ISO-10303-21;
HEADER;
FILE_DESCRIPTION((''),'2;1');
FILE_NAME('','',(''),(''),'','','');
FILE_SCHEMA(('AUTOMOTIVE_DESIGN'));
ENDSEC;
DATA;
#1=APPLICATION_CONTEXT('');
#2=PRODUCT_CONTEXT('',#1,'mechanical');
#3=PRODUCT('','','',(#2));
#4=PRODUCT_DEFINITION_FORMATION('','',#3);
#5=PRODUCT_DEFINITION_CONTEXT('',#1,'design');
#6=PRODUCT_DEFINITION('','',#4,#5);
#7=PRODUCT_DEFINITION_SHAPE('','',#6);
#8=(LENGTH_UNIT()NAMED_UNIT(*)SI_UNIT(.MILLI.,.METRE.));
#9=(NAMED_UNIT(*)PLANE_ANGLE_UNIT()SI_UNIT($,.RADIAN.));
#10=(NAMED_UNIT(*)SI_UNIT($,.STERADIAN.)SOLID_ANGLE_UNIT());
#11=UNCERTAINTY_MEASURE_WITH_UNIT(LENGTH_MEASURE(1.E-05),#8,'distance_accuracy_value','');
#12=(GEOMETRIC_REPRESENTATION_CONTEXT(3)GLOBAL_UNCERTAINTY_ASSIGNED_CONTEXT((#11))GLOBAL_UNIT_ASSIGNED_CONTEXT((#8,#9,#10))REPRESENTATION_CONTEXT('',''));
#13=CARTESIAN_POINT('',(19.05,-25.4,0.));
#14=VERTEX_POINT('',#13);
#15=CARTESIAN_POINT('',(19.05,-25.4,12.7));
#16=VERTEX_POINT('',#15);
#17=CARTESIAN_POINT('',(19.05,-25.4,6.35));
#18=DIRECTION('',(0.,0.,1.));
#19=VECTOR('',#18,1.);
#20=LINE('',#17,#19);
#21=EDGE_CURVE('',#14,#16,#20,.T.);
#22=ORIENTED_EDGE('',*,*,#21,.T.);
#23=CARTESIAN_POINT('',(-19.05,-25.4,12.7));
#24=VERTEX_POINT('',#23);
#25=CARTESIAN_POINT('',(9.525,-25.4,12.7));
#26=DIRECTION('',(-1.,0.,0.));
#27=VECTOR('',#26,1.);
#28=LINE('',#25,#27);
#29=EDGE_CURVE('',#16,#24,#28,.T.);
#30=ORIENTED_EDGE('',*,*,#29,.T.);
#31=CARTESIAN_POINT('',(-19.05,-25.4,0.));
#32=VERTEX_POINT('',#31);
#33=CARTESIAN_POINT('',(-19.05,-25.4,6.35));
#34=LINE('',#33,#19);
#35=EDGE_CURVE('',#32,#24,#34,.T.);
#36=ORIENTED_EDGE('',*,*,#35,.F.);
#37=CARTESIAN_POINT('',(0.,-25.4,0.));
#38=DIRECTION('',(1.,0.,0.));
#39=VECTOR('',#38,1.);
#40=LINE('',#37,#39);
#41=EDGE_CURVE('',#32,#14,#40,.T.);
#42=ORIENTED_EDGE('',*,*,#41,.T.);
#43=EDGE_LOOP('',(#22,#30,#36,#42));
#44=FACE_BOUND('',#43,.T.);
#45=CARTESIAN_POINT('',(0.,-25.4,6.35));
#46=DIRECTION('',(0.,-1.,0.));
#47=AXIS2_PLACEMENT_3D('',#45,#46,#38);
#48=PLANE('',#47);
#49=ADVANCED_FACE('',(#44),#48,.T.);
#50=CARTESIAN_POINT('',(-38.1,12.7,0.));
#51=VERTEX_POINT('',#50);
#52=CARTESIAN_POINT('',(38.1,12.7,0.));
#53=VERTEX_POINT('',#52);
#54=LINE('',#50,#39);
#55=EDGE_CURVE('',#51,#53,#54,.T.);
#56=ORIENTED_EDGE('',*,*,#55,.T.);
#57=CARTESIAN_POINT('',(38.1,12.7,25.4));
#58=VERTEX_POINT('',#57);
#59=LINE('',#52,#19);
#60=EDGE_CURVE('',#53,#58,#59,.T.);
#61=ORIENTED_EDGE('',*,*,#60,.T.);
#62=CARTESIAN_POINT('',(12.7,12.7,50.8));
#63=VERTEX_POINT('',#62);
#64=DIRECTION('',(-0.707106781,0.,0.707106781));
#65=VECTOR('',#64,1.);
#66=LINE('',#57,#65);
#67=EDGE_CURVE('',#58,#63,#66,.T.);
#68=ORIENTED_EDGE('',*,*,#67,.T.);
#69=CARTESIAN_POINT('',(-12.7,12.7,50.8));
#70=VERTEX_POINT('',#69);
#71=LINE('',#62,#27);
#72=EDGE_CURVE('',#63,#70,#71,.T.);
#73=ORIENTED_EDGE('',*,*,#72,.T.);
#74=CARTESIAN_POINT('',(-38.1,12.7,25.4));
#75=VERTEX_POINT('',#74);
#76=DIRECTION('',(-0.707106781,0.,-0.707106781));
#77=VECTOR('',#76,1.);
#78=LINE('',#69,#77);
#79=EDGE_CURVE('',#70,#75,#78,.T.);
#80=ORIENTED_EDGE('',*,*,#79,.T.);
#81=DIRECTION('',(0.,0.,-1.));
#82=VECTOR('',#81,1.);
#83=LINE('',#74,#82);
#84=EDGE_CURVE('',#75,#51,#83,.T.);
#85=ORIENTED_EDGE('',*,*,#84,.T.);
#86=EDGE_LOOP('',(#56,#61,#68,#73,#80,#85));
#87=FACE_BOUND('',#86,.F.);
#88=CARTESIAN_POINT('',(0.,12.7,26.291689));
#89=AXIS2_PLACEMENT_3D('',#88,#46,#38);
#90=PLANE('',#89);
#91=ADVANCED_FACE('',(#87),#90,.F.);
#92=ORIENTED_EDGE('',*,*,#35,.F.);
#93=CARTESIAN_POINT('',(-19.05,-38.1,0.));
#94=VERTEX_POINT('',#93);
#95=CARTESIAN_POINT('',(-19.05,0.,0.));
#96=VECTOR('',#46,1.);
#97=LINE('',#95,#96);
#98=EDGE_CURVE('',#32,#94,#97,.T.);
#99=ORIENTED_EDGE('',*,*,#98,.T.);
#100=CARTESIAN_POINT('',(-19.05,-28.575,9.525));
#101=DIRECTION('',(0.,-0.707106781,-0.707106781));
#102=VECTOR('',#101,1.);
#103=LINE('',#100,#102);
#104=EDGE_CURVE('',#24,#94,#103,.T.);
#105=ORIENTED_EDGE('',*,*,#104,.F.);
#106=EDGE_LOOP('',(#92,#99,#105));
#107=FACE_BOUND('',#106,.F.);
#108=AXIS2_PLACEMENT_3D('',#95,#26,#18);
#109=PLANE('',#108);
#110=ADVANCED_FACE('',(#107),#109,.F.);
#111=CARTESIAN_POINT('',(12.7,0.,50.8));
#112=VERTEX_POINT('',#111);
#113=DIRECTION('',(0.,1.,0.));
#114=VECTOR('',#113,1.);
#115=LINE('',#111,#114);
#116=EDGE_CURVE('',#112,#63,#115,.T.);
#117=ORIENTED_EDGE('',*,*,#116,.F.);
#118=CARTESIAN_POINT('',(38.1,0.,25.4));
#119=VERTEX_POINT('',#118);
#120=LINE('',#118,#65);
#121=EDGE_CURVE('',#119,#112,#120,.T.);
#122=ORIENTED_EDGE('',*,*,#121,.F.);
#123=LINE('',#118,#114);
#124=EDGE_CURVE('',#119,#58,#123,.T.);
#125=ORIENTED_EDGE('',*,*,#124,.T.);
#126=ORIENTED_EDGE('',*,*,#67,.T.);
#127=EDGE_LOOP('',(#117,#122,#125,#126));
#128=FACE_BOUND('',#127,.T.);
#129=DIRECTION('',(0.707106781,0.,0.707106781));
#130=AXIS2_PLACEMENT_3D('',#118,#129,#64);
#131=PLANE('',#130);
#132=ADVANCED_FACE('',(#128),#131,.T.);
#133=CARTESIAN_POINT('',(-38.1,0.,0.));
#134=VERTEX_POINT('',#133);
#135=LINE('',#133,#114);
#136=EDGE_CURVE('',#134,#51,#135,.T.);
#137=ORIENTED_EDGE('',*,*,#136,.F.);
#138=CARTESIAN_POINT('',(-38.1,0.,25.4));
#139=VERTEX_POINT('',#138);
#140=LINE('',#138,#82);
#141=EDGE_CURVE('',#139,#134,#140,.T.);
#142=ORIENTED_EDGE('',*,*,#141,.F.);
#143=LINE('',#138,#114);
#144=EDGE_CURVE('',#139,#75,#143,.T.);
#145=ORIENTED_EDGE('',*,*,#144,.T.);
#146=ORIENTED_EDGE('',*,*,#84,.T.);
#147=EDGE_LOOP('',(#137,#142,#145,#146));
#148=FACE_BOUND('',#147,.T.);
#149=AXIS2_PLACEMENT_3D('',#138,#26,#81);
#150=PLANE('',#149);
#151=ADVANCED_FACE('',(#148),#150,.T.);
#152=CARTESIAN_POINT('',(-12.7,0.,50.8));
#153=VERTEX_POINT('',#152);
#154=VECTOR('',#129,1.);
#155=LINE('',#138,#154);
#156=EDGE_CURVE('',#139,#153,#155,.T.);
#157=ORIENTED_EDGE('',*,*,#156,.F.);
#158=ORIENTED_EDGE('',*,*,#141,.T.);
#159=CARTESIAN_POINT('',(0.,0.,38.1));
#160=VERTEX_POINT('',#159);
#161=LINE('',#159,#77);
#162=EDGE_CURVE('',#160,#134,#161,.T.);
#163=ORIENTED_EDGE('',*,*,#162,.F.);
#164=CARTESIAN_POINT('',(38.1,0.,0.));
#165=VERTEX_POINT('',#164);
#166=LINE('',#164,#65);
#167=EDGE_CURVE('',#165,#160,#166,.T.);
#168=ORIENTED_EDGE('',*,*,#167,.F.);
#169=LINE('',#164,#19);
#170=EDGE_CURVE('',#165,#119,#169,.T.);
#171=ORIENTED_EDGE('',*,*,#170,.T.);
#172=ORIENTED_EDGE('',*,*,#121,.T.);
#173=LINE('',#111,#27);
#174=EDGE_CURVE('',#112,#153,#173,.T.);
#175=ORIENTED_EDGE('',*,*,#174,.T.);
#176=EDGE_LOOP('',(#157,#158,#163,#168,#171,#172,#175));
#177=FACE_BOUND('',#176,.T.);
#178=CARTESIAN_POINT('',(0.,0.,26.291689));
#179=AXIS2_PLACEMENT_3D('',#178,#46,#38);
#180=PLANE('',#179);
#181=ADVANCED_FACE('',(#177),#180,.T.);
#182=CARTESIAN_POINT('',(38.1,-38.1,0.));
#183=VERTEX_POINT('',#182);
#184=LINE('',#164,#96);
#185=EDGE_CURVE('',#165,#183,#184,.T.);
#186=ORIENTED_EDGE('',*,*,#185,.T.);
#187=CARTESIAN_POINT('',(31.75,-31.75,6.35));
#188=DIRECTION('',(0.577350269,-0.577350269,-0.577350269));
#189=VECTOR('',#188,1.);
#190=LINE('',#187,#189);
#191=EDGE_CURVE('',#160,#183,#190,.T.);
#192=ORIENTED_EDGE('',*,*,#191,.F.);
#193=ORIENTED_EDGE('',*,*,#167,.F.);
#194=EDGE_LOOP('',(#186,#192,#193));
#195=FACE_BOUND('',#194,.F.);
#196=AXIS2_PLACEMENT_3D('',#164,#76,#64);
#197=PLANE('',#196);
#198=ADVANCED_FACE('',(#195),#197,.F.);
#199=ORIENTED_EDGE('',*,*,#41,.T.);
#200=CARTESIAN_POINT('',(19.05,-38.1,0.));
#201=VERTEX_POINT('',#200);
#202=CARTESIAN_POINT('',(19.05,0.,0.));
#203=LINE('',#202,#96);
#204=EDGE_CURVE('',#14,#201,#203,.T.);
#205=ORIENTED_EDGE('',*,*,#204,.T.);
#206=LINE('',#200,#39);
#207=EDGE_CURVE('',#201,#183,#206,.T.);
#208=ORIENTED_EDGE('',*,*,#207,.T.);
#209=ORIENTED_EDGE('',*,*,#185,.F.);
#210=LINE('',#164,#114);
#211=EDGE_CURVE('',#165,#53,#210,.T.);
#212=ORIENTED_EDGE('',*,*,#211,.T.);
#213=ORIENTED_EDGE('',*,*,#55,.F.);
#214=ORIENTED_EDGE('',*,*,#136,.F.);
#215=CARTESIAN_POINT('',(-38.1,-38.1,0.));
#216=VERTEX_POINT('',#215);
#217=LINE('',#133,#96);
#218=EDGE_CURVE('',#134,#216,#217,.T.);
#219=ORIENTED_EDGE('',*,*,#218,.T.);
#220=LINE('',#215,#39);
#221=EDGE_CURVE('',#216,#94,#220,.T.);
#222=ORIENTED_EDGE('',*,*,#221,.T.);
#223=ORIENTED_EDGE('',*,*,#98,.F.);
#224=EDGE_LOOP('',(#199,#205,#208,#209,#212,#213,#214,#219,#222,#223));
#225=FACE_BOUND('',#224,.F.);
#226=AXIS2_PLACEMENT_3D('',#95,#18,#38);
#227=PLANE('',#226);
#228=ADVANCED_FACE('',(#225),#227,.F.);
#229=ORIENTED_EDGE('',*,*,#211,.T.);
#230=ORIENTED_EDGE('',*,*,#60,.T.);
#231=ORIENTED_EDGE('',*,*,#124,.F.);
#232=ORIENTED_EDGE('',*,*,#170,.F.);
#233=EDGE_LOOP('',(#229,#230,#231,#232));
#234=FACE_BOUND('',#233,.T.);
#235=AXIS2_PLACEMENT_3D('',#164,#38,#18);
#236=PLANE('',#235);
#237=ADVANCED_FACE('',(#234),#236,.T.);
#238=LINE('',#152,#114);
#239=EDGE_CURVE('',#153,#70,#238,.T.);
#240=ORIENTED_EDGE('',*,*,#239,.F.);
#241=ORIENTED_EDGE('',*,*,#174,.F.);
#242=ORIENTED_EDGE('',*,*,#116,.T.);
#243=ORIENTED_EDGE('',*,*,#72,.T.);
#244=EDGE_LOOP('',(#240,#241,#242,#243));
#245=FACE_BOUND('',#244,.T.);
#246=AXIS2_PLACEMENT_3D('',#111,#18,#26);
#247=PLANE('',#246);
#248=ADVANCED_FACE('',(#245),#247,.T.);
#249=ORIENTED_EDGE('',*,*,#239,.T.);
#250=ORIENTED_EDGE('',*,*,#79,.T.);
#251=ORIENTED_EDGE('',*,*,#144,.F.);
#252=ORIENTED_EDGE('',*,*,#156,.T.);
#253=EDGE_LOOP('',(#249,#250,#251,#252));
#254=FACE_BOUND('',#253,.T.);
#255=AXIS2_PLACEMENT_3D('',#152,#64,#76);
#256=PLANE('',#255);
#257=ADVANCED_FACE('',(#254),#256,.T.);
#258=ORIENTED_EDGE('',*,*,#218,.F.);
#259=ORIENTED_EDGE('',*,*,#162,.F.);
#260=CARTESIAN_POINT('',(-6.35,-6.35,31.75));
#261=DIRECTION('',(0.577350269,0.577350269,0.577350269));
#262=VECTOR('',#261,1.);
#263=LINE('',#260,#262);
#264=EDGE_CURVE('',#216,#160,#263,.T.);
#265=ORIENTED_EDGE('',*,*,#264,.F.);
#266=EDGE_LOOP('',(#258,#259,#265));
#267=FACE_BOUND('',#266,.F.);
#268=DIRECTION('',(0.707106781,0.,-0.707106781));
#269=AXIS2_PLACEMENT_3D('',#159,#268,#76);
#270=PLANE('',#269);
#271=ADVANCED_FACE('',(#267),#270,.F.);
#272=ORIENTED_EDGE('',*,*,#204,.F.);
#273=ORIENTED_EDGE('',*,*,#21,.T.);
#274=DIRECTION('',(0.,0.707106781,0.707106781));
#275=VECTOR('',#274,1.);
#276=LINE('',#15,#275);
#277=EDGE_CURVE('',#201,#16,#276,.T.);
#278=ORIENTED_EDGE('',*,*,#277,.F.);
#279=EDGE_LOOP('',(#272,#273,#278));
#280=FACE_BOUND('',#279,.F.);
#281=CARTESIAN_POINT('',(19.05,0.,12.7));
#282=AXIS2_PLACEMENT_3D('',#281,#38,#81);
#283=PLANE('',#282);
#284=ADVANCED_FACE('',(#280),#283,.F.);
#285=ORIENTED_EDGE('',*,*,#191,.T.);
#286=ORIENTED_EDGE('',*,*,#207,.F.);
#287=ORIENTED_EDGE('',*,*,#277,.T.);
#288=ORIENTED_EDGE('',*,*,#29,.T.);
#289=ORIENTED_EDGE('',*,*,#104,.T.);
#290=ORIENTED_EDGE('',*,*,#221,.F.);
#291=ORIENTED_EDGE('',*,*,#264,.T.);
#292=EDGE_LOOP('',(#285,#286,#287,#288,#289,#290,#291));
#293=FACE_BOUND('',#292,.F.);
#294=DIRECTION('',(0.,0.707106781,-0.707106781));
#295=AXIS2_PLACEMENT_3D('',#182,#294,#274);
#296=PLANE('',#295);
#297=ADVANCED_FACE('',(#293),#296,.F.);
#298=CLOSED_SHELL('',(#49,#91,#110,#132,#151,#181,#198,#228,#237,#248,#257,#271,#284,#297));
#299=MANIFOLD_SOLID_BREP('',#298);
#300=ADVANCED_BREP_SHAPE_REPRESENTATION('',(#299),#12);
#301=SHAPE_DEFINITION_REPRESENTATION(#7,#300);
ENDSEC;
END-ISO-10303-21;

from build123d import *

# Parameters (mm, degrees)
F1_DEPTH = 38.1
F0_W     = 38.1
F0_H     = 12.7
F2_DEPTH = 12.7
F4_DEPTH = 76.201
F5_DEPTH = 25.4


with BuildPart() as f1:
    # F0 (on Front) → F1 (new body)
    with BuildSketch(Plane.XZ):
        Polygon((0, 38.1), (-38.1, 0), (-19.05, 0), (-19.05, 12.7), (19.05, 12.7), (19.05, 0), (38.1, 0), align=None)
    extrude(amount=F1_DEPTH)

    # F0 (on Front) → F2 (join)
    with BuildSketch(Plane.XZ):
        Polygon((-38.1, 25.4), (-38.1, 0), (0, 38.1), (38.1, 0), (38.1, 25.4), (12.7, 50.8), (-12.7, 50.8), align=None)
        Polygon((0, 38.1), (-38.1, 0), (-19.05, 0), (-19.05, 12.7), (19.05, 12.7), (19.05, 0), (38.1, 0), align=None)
        with Locations((0, 6.35)):
            Rectangle(F0_W, F0_H)
    extrude(amount=-F2_DEPTH)

    # F3 (on face) → F4 (cut, through all)
    with BuildSketch(Plane.YZ.offset(38.1)):
        Polygon((-38.1, 38.1), (-38.1, 0), (0, 38.1), align=None)
    extrude(amount=-F4_DEPTH, mode=Mode.SUBTRACT)

    # F0 (on Front) → F5 (join)
    with BuildSketch(Plane.XZ):
        with Locations((0, 6.35)):
            Rectangle(F0_W, F0_H)
    extrude(amount=F5_DEPTH)


solid = f1.part
